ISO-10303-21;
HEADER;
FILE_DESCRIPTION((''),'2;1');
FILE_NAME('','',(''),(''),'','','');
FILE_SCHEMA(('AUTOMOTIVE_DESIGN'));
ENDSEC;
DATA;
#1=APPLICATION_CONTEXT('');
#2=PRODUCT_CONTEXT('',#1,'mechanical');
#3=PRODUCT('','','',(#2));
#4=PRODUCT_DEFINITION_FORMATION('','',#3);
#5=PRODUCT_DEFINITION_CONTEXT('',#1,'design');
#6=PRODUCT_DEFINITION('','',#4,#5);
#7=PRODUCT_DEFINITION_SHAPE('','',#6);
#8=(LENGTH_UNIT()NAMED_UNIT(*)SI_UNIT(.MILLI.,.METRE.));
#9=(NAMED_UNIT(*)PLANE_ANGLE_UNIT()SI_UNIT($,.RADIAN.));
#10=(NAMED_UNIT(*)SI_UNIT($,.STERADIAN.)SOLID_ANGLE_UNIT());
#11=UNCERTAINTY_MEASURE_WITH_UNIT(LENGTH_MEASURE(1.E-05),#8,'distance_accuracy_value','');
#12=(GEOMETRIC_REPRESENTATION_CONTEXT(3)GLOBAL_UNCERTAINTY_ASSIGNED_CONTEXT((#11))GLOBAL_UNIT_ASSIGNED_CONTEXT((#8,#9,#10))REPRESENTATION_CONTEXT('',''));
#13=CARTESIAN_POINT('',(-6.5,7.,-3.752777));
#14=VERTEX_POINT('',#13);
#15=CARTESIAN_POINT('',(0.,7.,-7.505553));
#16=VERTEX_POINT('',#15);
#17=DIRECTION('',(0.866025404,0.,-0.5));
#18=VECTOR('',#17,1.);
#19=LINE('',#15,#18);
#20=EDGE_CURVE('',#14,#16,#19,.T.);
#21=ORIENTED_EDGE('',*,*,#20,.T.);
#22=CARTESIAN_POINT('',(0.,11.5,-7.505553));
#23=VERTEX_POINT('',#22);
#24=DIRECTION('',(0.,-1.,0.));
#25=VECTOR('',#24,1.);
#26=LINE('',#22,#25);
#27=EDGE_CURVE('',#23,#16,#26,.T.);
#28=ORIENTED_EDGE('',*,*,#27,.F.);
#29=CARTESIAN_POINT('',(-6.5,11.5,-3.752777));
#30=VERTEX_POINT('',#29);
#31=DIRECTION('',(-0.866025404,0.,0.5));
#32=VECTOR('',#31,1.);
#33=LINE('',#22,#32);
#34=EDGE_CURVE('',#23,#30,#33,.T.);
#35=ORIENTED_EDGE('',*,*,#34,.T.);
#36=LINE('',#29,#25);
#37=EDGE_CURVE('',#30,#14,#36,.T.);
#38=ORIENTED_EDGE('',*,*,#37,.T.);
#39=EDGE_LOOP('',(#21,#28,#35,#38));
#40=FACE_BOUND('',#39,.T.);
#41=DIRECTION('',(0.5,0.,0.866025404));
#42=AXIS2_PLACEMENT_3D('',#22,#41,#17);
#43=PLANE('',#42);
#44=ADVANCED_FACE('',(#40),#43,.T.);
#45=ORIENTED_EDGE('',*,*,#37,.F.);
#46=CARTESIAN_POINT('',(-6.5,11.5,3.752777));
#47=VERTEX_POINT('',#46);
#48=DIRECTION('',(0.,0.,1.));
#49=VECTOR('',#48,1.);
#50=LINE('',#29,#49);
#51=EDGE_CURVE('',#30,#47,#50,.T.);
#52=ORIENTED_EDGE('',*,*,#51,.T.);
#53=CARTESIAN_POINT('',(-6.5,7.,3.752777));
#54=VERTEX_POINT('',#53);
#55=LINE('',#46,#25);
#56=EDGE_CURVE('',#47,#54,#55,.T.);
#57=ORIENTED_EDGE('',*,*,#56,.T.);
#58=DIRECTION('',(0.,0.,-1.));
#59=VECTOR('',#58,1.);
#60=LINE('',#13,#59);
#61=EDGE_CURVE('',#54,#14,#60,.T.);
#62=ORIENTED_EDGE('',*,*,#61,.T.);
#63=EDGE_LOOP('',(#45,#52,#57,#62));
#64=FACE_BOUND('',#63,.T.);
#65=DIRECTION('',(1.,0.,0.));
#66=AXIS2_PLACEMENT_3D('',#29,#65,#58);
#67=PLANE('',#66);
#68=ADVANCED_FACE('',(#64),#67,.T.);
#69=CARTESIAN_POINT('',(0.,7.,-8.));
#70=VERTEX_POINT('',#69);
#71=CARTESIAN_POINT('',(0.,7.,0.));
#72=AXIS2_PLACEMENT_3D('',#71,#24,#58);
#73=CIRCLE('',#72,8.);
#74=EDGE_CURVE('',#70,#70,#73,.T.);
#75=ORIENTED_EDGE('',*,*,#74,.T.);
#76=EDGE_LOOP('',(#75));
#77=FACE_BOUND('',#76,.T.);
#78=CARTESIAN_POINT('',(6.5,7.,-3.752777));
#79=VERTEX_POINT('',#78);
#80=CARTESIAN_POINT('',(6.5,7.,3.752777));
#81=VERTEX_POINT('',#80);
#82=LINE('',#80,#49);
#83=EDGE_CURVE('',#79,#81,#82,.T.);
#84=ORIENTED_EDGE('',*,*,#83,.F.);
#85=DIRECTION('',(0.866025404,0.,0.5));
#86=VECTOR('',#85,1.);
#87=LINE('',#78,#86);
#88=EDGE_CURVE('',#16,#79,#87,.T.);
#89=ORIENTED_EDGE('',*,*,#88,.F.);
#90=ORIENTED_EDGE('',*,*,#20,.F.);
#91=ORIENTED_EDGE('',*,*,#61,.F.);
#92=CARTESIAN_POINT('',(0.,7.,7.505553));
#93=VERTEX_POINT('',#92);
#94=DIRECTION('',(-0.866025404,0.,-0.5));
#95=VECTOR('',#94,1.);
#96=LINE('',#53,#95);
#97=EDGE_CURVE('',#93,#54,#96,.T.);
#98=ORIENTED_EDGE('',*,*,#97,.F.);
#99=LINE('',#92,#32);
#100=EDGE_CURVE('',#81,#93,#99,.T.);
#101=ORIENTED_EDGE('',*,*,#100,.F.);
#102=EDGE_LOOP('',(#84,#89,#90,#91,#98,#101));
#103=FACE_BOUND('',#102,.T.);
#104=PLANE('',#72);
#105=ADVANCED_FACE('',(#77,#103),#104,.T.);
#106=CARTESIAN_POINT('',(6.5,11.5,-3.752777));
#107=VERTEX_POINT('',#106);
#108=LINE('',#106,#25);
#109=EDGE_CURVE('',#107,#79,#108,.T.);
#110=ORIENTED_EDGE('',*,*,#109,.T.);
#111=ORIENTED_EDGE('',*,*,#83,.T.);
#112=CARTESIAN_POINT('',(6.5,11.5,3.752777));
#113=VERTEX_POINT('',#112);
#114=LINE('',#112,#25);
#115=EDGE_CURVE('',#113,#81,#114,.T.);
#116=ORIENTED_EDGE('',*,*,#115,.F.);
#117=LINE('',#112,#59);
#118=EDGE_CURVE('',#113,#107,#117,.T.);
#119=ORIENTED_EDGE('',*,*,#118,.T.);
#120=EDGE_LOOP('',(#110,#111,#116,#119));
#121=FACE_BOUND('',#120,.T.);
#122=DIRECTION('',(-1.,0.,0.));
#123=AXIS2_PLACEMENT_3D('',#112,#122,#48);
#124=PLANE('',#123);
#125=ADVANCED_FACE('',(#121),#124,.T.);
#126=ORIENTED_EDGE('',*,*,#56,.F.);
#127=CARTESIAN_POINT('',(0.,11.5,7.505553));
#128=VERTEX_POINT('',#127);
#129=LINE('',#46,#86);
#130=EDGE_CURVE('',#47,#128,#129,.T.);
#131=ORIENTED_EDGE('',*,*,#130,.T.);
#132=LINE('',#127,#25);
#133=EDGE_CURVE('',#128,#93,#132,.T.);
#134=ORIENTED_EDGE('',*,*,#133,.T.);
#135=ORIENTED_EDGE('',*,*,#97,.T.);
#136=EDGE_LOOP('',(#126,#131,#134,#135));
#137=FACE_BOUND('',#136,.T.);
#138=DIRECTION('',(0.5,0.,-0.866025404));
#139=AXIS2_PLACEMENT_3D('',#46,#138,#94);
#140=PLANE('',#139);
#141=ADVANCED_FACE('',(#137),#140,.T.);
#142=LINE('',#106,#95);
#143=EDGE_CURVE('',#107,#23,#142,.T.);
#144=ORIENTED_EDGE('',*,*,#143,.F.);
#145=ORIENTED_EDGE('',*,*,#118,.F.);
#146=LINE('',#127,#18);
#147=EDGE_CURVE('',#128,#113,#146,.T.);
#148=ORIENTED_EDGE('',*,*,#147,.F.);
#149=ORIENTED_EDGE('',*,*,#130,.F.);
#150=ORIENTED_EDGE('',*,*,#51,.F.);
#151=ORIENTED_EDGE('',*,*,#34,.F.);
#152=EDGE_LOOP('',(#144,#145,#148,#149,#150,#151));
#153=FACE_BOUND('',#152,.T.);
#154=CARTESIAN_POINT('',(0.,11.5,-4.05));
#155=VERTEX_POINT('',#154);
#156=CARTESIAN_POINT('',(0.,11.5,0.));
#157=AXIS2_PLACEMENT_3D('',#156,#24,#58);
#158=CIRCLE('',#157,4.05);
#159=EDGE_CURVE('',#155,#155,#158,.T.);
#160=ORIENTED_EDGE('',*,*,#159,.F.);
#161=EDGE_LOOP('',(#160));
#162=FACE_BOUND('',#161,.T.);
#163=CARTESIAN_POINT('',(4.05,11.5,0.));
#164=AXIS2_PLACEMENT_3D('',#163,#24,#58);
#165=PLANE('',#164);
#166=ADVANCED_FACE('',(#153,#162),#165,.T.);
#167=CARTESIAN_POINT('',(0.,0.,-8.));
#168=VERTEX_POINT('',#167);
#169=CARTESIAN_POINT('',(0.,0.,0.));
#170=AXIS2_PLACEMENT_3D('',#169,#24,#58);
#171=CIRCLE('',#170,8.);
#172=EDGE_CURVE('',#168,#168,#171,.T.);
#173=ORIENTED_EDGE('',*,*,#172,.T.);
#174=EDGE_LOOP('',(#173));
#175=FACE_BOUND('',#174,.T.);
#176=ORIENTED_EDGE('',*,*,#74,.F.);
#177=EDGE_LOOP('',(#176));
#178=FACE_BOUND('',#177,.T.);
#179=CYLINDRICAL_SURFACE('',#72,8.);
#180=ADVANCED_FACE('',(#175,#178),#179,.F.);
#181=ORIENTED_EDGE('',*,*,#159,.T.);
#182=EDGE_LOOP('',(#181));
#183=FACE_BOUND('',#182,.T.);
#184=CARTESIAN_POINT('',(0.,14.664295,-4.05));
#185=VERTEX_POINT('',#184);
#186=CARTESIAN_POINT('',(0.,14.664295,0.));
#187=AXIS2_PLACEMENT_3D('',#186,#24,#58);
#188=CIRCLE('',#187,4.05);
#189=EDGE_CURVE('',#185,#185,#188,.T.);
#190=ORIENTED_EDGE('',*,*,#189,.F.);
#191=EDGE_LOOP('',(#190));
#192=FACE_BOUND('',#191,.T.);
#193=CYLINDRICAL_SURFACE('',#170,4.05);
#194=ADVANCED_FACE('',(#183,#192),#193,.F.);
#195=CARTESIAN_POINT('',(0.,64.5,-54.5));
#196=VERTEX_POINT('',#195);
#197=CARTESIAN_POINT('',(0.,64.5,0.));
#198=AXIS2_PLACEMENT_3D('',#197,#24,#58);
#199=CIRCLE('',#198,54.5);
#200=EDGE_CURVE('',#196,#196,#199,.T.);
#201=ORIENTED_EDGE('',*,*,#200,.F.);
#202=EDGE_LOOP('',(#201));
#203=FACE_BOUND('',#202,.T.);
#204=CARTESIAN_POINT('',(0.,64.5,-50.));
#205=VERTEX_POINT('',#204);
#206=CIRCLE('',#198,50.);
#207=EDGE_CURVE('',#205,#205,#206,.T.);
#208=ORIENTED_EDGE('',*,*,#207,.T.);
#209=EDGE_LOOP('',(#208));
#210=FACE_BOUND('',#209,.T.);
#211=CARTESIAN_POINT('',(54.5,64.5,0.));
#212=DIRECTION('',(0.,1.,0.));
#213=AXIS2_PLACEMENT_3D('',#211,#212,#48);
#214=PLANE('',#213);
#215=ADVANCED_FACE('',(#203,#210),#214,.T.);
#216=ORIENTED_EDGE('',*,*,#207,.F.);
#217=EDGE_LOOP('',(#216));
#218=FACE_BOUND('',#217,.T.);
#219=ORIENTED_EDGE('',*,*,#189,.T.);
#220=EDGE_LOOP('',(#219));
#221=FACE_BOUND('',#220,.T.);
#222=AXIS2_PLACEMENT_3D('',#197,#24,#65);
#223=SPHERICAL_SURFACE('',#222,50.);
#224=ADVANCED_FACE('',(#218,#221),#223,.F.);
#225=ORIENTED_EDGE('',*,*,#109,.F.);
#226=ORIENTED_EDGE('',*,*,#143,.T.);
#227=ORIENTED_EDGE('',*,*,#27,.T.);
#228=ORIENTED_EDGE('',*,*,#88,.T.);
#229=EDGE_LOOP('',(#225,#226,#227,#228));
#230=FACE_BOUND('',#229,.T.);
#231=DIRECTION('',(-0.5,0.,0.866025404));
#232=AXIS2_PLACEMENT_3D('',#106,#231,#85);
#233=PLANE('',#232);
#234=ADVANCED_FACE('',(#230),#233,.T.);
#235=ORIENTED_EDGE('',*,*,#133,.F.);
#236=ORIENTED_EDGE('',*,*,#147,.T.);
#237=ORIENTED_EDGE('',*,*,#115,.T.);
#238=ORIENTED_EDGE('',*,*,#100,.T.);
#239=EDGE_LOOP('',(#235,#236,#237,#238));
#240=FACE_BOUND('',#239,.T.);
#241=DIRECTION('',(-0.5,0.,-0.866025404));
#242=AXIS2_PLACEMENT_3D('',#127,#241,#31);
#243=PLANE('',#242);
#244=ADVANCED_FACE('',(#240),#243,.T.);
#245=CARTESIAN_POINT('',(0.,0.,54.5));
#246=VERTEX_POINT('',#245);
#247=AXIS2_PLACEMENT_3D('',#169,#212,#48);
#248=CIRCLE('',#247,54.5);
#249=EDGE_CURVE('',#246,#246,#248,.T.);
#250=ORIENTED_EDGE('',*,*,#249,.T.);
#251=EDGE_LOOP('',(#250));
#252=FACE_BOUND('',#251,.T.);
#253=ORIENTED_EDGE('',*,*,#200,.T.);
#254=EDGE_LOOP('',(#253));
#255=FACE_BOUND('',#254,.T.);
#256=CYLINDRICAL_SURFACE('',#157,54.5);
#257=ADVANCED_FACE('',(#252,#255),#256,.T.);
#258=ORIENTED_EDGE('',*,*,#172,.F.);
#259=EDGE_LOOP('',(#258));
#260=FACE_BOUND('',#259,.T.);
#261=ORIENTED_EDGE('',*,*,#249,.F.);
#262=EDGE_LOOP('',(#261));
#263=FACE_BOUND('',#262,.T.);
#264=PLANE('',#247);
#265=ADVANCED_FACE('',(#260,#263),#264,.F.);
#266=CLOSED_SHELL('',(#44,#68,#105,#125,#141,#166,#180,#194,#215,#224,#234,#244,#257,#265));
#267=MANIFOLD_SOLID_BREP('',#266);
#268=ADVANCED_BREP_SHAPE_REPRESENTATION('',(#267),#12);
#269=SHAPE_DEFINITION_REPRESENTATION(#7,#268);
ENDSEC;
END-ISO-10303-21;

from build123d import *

# Parameters (mm, degrees)
SKETCH2_R           = 54.5
BOSS_EXTRUDE1_DEPTH = 11.5
SKETCH3_R           = 8
CUT_EXTRUDE1_DEPTH  = 7


with BuildPart() as part:
    # Sketch2 → Boss-Extrude1 (new body)
    with BuildSketch(Plane(origin=(0, 0, 0), x_dir=(1, 0, 0), z_dir=(0, 1, 0))):
        with Locations(Location((0, 0, 0), (0, 0, 270))):
            Circle(SKETCH2_R)
        Polygon((0, 7.505553499), (-6.5, 3.75277675), (-6.5, -3.75277675), (0, -7.505553499), (6.5, -3.75277675), (6.5, 3.75277675), align=None, mode=Mode.SUBTRACT)
    extrude(amount=BOSS_EXTRUDE1_DEPTH)

    # Sketch3 → Cut-Extrude1 (cut)
    with BuildSketch(Plane.XZ):
        with Locations(Location((0, 0, 0), (0, 0, 270))):
            Circle(SKETCH3_R)
    extrude(amount=-CUT_EXTRUDE1_DEPTH, mode=Mode.SUBTRACT)

    # Sketch4 → Revolve1 (revolve)
    with BuildSketch(Plane.XY, mode=Mode.PRIVATE) as revolve1_sk:
        with BuildLine():
            Line((4.05, 14.664294928), (4.05, 11.5))
            Line((4.05, 11.5), (54.5, 11.5))
            Line((54.5, 11.5), (54.5, 64.5))
            Line((54.5, 64.5), (50, 64.5))
            ThreePointArc((50, 64.5), (36.759352551, 30.60678534), (4.05, 14.664294928))
        make_face()
    revolve(revolve1_sk.sketch.rotate(Axis((0, 0, 0), (0, 1, 0)), 90), axis=Axis((0, 0, 0), (0, 1, 0)))


solid = part.part
